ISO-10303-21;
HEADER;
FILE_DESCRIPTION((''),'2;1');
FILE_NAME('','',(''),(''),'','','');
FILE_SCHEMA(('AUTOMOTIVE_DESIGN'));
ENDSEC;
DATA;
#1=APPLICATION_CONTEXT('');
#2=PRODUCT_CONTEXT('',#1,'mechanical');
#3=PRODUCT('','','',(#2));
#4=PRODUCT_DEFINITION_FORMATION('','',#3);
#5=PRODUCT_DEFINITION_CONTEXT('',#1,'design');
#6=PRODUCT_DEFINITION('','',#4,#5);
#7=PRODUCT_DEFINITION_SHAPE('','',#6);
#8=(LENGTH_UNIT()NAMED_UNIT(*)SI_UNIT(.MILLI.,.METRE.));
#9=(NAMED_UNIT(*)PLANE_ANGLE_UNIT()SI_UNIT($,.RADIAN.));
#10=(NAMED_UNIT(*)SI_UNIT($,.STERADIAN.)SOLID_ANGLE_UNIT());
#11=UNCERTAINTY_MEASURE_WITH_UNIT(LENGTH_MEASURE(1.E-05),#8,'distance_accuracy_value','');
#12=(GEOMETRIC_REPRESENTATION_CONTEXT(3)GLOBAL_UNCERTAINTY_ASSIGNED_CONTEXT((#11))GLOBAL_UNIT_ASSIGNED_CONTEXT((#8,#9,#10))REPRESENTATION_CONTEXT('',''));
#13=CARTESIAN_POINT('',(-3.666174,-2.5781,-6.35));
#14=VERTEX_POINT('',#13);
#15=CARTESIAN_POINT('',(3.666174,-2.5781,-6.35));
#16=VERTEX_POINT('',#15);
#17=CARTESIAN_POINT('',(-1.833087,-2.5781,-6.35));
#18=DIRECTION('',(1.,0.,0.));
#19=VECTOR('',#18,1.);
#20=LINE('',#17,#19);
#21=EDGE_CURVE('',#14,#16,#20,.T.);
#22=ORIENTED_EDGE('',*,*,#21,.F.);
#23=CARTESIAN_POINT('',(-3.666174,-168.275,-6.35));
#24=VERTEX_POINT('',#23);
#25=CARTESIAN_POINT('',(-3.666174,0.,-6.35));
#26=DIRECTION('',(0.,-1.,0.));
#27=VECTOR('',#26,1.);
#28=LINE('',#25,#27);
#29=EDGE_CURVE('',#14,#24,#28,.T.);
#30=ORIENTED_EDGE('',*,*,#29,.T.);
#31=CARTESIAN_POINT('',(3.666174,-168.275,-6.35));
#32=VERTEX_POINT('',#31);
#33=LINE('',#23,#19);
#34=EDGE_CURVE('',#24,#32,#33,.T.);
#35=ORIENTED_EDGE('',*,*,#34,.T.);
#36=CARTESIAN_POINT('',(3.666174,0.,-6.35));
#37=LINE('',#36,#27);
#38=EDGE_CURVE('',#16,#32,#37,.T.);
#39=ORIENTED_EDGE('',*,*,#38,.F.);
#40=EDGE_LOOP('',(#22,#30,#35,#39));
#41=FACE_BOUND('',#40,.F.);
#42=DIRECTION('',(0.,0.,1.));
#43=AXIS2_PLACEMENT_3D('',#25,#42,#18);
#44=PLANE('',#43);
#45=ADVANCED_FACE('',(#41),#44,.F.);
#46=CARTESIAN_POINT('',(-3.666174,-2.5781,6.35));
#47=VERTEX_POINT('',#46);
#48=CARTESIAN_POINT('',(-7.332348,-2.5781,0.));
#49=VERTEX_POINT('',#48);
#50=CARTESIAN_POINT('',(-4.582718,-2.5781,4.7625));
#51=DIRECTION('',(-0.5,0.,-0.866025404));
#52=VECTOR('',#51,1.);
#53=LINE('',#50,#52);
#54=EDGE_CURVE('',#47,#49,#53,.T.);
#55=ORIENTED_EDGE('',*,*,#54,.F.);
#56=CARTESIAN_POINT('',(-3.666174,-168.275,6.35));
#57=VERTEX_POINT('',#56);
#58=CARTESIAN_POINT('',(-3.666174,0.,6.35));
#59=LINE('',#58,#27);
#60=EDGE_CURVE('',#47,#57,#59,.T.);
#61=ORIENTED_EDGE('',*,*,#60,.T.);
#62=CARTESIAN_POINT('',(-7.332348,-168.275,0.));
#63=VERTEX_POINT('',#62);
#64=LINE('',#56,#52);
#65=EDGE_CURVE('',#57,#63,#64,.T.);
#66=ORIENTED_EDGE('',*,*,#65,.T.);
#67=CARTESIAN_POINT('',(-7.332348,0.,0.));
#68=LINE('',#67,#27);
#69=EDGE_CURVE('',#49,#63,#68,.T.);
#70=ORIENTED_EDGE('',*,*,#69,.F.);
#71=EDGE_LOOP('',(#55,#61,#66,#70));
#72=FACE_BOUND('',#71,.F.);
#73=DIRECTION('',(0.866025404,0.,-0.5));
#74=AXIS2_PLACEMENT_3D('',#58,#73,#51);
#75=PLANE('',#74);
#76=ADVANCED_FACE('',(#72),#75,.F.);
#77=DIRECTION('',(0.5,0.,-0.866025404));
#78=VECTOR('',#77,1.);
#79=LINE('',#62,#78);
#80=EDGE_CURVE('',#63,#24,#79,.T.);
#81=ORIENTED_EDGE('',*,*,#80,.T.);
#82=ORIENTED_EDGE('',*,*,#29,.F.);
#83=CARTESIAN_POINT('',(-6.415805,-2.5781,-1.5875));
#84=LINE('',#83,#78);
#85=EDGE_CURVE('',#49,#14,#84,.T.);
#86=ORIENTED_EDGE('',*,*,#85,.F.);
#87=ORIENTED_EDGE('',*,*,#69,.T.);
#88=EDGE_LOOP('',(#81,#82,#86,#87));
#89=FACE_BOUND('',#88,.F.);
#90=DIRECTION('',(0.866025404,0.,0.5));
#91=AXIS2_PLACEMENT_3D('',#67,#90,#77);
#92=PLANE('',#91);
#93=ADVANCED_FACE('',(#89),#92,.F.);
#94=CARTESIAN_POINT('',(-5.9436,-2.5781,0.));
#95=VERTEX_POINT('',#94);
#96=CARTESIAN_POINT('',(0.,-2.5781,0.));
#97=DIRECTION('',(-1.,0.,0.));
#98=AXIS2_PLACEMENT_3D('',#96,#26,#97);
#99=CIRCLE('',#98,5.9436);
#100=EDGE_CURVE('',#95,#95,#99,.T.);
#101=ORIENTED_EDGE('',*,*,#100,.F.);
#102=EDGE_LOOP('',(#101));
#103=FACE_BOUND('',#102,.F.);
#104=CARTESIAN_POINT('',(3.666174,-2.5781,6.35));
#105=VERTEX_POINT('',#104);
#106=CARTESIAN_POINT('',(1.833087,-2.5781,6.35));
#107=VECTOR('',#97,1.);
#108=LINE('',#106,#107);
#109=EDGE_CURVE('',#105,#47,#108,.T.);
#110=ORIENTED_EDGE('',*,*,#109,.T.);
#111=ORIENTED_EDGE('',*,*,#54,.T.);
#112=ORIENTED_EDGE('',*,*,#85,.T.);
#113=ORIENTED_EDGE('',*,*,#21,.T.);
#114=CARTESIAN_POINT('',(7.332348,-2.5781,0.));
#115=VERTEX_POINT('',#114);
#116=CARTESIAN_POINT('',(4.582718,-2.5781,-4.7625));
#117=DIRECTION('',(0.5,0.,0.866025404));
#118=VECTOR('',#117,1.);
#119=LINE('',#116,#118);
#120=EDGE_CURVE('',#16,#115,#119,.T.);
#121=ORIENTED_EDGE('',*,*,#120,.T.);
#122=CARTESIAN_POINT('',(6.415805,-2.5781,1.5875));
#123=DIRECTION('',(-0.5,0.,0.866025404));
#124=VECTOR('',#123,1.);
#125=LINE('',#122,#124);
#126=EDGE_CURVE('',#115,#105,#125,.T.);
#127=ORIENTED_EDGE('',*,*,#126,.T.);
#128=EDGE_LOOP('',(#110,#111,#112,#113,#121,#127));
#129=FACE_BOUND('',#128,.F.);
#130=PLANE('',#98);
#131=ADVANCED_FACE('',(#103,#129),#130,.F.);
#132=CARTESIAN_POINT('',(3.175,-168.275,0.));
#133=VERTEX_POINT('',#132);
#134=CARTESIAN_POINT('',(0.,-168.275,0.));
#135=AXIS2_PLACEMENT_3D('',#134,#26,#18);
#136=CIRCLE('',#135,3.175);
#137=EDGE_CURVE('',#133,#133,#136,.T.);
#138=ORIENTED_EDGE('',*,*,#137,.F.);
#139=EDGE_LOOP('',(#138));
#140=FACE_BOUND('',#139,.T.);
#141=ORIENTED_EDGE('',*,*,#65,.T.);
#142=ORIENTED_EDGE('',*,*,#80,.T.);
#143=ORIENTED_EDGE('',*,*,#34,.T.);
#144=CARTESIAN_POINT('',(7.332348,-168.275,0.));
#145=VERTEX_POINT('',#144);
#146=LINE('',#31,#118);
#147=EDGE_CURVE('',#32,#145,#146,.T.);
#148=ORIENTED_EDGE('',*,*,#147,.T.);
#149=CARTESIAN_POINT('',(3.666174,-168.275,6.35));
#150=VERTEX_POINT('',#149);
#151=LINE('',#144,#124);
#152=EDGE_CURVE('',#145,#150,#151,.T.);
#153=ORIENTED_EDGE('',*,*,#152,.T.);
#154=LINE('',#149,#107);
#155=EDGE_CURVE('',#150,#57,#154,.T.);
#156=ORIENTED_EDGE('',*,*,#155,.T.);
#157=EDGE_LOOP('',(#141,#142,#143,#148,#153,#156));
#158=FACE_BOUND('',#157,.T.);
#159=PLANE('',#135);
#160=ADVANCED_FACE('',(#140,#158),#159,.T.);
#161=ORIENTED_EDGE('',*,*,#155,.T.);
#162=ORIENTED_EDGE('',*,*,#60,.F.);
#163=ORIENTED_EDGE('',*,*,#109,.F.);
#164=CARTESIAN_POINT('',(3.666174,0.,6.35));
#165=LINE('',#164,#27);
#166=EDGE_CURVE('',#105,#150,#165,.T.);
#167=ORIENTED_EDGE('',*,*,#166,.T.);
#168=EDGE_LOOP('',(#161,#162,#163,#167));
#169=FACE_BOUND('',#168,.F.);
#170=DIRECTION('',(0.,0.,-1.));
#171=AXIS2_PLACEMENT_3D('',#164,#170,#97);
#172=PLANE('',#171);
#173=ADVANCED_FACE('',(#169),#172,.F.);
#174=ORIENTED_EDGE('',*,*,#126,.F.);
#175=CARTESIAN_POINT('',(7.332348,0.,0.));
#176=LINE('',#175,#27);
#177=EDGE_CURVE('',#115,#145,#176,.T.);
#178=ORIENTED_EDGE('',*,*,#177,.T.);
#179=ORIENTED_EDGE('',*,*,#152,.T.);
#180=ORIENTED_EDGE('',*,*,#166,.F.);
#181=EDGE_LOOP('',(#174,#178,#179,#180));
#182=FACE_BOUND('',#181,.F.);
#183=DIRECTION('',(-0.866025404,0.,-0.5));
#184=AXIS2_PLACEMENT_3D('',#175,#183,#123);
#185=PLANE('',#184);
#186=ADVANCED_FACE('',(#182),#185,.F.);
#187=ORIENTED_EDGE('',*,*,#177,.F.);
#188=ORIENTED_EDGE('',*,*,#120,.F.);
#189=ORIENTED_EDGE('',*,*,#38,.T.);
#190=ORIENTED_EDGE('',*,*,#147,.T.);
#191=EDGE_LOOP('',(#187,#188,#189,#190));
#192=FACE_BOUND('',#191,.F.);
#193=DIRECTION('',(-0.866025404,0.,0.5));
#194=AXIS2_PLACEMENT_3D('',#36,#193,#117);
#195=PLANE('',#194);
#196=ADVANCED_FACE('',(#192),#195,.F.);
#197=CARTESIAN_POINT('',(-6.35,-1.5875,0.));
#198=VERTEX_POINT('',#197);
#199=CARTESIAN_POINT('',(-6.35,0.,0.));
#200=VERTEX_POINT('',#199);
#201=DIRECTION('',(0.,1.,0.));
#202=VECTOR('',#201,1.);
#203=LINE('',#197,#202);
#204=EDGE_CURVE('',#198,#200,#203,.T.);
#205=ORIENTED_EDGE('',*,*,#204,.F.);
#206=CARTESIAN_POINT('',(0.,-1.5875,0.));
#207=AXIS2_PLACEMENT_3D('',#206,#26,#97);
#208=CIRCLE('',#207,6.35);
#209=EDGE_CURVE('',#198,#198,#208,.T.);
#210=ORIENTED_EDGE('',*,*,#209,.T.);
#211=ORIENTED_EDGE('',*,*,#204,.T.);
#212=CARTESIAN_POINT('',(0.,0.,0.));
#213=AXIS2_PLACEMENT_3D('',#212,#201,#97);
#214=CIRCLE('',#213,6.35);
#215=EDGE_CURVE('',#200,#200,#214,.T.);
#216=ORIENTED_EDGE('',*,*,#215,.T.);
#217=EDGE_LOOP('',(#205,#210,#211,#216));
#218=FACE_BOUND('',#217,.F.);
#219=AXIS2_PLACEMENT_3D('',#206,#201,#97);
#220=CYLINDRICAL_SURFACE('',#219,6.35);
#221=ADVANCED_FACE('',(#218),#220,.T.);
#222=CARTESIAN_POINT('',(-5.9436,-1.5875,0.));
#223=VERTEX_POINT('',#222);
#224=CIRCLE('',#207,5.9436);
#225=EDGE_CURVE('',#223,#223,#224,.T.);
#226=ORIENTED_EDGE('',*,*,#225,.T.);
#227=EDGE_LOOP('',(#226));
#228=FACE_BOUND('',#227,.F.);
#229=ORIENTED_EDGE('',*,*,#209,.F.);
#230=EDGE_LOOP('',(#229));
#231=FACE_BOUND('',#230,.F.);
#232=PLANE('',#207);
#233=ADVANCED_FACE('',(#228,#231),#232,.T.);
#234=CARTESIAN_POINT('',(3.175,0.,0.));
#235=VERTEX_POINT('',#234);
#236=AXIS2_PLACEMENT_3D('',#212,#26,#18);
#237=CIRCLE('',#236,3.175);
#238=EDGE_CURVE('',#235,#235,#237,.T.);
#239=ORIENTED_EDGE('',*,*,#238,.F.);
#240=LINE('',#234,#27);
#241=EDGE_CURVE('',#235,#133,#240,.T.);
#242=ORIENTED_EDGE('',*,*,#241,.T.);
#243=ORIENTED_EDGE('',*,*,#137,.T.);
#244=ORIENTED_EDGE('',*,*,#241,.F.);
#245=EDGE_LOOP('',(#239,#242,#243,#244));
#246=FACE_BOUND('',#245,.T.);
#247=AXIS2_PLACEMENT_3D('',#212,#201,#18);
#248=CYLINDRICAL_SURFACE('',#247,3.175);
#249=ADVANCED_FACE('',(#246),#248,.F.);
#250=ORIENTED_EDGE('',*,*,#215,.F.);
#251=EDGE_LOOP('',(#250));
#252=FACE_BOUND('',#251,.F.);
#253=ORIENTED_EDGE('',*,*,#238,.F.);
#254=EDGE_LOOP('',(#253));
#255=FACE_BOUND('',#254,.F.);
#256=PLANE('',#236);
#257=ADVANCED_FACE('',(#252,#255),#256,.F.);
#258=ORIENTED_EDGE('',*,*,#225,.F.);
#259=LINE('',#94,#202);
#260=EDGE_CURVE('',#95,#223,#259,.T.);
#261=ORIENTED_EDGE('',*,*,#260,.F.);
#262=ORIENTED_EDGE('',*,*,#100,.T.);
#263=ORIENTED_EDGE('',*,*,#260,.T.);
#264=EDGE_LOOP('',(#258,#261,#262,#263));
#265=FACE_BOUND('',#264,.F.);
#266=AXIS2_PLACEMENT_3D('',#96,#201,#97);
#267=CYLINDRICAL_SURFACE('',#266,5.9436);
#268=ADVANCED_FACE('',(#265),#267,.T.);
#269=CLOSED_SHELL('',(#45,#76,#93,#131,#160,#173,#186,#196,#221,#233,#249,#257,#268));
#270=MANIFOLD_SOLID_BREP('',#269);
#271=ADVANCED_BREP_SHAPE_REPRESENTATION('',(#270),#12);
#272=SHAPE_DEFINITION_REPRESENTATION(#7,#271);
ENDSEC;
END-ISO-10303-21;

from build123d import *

# Parameters (mm, degrees)
F0_R     = 3.175
F1_DEPTH = 168.275


with BuildPart() as f1:
    # F0 (on Front) → F1 (new body)
    with BuildSketch(Plane.XZ):
        Polygon((3.6661742094, 6.35), (-3.6661742094, 6.35), (-7.3323484187, 0), (-3.6661742094, -6.35), (3.6661742094, -6.35), (7.3323484187, 0), align=None)
        Circle(F0_R, mode=Mode.SUBTRACT)
    extrude(amount=F1_DEPTH)

    # F2 (on Top) → F3 (revolve, cut)
    with BuildSketch(Plane.XY):
        Polygon((-6.35, -1.5875), (-6.35, 0), (-7.3323484187, 0), (-7.3323484187, -2.5781), (-5.9436, -2.5781), (-5.9436, -1.5875), align=None)
    revolve(axis=Axis((0, -1.28905, 0), (0, -1, 0)), mode=Mode.SUBTRACT)


solid = f1.part
